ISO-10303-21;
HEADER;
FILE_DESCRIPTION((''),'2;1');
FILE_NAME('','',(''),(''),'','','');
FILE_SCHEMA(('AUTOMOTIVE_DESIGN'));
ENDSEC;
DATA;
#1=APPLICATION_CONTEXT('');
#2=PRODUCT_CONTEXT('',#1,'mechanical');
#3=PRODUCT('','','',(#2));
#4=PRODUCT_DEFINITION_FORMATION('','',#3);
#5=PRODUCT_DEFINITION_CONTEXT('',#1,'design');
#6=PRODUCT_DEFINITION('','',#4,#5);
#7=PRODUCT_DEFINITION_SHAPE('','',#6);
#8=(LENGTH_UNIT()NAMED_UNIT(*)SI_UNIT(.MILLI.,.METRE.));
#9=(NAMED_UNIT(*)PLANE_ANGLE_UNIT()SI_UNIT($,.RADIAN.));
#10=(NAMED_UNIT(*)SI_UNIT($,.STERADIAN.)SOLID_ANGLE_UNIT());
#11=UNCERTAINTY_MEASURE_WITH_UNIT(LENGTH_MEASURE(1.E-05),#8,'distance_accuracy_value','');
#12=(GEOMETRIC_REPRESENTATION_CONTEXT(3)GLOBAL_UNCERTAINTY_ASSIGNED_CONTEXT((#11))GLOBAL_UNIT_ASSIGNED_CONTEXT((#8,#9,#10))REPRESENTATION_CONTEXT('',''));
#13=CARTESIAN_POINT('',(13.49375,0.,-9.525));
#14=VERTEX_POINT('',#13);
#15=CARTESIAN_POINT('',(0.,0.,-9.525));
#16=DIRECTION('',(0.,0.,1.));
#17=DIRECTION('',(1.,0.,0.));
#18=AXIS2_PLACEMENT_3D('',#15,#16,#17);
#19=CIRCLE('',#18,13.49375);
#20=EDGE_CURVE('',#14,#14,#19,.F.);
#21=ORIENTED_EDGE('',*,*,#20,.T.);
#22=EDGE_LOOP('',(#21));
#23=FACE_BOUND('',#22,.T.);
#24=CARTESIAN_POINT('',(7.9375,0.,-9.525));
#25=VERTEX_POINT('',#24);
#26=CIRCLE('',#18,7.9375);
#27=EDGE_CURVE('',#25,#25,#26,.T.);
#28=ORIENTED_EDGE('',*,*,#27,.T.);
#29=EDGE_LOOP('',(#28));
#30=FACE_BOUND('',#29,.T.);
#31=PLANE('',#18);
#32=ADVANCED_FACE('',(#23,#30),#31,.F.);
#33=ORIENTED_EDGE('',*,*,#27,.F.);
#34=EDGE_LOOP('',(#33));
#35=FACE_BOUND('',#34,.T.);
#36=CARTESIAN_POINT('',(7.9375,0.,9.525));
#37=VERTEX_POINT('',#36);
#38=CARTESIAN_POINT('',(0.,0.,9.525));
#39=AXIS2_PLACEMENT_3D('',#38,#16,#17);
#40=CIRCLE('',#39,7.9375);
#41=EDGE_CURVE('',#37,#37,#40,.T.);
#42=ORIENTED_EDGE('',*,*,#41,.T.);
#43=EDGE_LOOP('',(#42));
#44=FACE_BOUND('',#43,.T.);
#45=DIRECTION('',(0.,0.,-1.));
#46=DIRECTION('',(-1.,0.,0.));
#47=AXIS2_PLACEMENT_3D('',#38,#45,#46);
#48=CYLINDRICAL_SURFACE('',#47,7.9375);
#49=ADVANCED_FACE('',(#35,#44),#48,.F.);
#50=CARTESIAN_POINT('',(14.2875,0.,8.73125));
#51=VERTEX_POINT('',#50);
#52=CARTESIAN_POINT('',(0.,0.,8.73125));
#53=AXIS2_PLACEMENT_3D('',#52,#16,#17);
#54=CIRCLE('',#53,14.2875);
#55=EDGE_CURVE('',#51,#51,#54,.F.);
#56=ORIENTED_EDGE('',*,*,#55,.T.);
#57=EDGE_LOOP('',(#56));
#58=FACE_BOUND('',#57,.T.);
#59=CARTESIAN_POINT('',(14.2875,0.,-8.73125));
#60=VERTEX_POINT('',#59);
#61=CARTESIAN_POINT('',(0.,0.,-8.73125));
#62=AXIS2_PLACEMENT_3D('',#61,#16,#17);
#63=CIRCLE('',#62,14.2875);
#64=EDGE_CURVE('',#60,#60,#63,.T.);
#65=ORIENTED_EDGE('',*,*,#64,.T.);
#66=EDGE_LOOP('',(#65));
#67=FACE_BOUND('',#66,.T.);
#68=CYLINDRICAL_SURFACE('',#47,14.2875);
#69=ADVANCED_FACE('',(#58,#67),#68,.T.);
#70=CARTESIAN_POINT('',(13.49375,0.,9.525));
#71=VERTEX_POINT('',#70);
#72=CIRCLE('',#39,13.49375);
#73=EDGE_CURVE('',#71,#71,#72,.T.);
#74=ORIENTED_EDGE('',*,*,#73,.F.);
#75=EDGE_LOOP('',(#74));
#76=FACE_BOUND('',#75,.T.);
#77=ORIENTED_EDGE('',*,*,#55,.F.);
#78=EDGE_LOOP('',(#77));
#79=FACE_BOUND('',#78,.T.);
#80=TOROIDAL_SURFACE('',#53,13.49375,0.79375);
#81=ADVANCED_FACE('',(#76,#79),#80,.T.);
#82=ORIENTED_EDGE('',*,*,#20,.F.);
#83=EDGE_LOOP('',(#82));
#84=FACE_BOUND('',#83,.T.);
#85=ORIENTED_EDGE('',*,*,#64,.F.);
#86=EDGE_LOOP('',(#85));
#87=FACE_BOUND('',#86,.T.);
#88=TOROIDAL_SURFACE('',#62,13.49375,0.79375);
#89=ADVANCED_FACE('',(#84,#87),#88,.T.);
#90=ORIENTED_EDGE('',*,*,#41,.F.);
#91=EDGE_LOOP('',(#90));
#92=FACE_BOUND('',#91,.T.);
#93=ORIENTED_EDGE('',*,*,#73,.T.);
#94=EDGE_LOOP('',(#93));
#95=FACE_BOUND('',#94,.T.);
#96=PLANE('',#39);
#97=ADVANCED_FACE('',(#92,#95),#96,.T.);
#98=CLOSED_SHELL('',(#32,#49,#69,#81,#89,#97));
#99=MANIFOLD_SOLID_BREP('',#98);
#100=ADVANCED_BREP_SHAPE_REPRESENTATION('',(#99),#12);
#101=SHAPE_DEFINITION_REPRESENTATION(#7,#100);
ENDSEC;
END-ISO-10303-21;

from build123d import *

# Parameters (mm, degrees)
SKETCH1_R      = 14.2875
SKETCH1_R_2    = 7.9375
EXTRUDE1_DEPTH = 9.525
FILLET1_R      = 0.79375


with BuildPart() as part:
    # Sketch1 → Extrude1 (new body, symmetric)
    with BuildSketch(Plane.XY):
        Circle(SKETCH1_R)
        Circle(SKETCH1_R_2, mode=Mode.SUBTRACT)
    extrude(amount=EXTRUDE1_DEPTH, both=True)

    # Fillet1
    fillet1_edges = [part.edges().sort_by_distance(p)[0] for p in [
        (-14.2875, 0, -9.525),
        (-14.2875, 0, 9.525),
    ]]
    fillet(fillet1_edges, radius=FILLET1_R)


solid = part.part
